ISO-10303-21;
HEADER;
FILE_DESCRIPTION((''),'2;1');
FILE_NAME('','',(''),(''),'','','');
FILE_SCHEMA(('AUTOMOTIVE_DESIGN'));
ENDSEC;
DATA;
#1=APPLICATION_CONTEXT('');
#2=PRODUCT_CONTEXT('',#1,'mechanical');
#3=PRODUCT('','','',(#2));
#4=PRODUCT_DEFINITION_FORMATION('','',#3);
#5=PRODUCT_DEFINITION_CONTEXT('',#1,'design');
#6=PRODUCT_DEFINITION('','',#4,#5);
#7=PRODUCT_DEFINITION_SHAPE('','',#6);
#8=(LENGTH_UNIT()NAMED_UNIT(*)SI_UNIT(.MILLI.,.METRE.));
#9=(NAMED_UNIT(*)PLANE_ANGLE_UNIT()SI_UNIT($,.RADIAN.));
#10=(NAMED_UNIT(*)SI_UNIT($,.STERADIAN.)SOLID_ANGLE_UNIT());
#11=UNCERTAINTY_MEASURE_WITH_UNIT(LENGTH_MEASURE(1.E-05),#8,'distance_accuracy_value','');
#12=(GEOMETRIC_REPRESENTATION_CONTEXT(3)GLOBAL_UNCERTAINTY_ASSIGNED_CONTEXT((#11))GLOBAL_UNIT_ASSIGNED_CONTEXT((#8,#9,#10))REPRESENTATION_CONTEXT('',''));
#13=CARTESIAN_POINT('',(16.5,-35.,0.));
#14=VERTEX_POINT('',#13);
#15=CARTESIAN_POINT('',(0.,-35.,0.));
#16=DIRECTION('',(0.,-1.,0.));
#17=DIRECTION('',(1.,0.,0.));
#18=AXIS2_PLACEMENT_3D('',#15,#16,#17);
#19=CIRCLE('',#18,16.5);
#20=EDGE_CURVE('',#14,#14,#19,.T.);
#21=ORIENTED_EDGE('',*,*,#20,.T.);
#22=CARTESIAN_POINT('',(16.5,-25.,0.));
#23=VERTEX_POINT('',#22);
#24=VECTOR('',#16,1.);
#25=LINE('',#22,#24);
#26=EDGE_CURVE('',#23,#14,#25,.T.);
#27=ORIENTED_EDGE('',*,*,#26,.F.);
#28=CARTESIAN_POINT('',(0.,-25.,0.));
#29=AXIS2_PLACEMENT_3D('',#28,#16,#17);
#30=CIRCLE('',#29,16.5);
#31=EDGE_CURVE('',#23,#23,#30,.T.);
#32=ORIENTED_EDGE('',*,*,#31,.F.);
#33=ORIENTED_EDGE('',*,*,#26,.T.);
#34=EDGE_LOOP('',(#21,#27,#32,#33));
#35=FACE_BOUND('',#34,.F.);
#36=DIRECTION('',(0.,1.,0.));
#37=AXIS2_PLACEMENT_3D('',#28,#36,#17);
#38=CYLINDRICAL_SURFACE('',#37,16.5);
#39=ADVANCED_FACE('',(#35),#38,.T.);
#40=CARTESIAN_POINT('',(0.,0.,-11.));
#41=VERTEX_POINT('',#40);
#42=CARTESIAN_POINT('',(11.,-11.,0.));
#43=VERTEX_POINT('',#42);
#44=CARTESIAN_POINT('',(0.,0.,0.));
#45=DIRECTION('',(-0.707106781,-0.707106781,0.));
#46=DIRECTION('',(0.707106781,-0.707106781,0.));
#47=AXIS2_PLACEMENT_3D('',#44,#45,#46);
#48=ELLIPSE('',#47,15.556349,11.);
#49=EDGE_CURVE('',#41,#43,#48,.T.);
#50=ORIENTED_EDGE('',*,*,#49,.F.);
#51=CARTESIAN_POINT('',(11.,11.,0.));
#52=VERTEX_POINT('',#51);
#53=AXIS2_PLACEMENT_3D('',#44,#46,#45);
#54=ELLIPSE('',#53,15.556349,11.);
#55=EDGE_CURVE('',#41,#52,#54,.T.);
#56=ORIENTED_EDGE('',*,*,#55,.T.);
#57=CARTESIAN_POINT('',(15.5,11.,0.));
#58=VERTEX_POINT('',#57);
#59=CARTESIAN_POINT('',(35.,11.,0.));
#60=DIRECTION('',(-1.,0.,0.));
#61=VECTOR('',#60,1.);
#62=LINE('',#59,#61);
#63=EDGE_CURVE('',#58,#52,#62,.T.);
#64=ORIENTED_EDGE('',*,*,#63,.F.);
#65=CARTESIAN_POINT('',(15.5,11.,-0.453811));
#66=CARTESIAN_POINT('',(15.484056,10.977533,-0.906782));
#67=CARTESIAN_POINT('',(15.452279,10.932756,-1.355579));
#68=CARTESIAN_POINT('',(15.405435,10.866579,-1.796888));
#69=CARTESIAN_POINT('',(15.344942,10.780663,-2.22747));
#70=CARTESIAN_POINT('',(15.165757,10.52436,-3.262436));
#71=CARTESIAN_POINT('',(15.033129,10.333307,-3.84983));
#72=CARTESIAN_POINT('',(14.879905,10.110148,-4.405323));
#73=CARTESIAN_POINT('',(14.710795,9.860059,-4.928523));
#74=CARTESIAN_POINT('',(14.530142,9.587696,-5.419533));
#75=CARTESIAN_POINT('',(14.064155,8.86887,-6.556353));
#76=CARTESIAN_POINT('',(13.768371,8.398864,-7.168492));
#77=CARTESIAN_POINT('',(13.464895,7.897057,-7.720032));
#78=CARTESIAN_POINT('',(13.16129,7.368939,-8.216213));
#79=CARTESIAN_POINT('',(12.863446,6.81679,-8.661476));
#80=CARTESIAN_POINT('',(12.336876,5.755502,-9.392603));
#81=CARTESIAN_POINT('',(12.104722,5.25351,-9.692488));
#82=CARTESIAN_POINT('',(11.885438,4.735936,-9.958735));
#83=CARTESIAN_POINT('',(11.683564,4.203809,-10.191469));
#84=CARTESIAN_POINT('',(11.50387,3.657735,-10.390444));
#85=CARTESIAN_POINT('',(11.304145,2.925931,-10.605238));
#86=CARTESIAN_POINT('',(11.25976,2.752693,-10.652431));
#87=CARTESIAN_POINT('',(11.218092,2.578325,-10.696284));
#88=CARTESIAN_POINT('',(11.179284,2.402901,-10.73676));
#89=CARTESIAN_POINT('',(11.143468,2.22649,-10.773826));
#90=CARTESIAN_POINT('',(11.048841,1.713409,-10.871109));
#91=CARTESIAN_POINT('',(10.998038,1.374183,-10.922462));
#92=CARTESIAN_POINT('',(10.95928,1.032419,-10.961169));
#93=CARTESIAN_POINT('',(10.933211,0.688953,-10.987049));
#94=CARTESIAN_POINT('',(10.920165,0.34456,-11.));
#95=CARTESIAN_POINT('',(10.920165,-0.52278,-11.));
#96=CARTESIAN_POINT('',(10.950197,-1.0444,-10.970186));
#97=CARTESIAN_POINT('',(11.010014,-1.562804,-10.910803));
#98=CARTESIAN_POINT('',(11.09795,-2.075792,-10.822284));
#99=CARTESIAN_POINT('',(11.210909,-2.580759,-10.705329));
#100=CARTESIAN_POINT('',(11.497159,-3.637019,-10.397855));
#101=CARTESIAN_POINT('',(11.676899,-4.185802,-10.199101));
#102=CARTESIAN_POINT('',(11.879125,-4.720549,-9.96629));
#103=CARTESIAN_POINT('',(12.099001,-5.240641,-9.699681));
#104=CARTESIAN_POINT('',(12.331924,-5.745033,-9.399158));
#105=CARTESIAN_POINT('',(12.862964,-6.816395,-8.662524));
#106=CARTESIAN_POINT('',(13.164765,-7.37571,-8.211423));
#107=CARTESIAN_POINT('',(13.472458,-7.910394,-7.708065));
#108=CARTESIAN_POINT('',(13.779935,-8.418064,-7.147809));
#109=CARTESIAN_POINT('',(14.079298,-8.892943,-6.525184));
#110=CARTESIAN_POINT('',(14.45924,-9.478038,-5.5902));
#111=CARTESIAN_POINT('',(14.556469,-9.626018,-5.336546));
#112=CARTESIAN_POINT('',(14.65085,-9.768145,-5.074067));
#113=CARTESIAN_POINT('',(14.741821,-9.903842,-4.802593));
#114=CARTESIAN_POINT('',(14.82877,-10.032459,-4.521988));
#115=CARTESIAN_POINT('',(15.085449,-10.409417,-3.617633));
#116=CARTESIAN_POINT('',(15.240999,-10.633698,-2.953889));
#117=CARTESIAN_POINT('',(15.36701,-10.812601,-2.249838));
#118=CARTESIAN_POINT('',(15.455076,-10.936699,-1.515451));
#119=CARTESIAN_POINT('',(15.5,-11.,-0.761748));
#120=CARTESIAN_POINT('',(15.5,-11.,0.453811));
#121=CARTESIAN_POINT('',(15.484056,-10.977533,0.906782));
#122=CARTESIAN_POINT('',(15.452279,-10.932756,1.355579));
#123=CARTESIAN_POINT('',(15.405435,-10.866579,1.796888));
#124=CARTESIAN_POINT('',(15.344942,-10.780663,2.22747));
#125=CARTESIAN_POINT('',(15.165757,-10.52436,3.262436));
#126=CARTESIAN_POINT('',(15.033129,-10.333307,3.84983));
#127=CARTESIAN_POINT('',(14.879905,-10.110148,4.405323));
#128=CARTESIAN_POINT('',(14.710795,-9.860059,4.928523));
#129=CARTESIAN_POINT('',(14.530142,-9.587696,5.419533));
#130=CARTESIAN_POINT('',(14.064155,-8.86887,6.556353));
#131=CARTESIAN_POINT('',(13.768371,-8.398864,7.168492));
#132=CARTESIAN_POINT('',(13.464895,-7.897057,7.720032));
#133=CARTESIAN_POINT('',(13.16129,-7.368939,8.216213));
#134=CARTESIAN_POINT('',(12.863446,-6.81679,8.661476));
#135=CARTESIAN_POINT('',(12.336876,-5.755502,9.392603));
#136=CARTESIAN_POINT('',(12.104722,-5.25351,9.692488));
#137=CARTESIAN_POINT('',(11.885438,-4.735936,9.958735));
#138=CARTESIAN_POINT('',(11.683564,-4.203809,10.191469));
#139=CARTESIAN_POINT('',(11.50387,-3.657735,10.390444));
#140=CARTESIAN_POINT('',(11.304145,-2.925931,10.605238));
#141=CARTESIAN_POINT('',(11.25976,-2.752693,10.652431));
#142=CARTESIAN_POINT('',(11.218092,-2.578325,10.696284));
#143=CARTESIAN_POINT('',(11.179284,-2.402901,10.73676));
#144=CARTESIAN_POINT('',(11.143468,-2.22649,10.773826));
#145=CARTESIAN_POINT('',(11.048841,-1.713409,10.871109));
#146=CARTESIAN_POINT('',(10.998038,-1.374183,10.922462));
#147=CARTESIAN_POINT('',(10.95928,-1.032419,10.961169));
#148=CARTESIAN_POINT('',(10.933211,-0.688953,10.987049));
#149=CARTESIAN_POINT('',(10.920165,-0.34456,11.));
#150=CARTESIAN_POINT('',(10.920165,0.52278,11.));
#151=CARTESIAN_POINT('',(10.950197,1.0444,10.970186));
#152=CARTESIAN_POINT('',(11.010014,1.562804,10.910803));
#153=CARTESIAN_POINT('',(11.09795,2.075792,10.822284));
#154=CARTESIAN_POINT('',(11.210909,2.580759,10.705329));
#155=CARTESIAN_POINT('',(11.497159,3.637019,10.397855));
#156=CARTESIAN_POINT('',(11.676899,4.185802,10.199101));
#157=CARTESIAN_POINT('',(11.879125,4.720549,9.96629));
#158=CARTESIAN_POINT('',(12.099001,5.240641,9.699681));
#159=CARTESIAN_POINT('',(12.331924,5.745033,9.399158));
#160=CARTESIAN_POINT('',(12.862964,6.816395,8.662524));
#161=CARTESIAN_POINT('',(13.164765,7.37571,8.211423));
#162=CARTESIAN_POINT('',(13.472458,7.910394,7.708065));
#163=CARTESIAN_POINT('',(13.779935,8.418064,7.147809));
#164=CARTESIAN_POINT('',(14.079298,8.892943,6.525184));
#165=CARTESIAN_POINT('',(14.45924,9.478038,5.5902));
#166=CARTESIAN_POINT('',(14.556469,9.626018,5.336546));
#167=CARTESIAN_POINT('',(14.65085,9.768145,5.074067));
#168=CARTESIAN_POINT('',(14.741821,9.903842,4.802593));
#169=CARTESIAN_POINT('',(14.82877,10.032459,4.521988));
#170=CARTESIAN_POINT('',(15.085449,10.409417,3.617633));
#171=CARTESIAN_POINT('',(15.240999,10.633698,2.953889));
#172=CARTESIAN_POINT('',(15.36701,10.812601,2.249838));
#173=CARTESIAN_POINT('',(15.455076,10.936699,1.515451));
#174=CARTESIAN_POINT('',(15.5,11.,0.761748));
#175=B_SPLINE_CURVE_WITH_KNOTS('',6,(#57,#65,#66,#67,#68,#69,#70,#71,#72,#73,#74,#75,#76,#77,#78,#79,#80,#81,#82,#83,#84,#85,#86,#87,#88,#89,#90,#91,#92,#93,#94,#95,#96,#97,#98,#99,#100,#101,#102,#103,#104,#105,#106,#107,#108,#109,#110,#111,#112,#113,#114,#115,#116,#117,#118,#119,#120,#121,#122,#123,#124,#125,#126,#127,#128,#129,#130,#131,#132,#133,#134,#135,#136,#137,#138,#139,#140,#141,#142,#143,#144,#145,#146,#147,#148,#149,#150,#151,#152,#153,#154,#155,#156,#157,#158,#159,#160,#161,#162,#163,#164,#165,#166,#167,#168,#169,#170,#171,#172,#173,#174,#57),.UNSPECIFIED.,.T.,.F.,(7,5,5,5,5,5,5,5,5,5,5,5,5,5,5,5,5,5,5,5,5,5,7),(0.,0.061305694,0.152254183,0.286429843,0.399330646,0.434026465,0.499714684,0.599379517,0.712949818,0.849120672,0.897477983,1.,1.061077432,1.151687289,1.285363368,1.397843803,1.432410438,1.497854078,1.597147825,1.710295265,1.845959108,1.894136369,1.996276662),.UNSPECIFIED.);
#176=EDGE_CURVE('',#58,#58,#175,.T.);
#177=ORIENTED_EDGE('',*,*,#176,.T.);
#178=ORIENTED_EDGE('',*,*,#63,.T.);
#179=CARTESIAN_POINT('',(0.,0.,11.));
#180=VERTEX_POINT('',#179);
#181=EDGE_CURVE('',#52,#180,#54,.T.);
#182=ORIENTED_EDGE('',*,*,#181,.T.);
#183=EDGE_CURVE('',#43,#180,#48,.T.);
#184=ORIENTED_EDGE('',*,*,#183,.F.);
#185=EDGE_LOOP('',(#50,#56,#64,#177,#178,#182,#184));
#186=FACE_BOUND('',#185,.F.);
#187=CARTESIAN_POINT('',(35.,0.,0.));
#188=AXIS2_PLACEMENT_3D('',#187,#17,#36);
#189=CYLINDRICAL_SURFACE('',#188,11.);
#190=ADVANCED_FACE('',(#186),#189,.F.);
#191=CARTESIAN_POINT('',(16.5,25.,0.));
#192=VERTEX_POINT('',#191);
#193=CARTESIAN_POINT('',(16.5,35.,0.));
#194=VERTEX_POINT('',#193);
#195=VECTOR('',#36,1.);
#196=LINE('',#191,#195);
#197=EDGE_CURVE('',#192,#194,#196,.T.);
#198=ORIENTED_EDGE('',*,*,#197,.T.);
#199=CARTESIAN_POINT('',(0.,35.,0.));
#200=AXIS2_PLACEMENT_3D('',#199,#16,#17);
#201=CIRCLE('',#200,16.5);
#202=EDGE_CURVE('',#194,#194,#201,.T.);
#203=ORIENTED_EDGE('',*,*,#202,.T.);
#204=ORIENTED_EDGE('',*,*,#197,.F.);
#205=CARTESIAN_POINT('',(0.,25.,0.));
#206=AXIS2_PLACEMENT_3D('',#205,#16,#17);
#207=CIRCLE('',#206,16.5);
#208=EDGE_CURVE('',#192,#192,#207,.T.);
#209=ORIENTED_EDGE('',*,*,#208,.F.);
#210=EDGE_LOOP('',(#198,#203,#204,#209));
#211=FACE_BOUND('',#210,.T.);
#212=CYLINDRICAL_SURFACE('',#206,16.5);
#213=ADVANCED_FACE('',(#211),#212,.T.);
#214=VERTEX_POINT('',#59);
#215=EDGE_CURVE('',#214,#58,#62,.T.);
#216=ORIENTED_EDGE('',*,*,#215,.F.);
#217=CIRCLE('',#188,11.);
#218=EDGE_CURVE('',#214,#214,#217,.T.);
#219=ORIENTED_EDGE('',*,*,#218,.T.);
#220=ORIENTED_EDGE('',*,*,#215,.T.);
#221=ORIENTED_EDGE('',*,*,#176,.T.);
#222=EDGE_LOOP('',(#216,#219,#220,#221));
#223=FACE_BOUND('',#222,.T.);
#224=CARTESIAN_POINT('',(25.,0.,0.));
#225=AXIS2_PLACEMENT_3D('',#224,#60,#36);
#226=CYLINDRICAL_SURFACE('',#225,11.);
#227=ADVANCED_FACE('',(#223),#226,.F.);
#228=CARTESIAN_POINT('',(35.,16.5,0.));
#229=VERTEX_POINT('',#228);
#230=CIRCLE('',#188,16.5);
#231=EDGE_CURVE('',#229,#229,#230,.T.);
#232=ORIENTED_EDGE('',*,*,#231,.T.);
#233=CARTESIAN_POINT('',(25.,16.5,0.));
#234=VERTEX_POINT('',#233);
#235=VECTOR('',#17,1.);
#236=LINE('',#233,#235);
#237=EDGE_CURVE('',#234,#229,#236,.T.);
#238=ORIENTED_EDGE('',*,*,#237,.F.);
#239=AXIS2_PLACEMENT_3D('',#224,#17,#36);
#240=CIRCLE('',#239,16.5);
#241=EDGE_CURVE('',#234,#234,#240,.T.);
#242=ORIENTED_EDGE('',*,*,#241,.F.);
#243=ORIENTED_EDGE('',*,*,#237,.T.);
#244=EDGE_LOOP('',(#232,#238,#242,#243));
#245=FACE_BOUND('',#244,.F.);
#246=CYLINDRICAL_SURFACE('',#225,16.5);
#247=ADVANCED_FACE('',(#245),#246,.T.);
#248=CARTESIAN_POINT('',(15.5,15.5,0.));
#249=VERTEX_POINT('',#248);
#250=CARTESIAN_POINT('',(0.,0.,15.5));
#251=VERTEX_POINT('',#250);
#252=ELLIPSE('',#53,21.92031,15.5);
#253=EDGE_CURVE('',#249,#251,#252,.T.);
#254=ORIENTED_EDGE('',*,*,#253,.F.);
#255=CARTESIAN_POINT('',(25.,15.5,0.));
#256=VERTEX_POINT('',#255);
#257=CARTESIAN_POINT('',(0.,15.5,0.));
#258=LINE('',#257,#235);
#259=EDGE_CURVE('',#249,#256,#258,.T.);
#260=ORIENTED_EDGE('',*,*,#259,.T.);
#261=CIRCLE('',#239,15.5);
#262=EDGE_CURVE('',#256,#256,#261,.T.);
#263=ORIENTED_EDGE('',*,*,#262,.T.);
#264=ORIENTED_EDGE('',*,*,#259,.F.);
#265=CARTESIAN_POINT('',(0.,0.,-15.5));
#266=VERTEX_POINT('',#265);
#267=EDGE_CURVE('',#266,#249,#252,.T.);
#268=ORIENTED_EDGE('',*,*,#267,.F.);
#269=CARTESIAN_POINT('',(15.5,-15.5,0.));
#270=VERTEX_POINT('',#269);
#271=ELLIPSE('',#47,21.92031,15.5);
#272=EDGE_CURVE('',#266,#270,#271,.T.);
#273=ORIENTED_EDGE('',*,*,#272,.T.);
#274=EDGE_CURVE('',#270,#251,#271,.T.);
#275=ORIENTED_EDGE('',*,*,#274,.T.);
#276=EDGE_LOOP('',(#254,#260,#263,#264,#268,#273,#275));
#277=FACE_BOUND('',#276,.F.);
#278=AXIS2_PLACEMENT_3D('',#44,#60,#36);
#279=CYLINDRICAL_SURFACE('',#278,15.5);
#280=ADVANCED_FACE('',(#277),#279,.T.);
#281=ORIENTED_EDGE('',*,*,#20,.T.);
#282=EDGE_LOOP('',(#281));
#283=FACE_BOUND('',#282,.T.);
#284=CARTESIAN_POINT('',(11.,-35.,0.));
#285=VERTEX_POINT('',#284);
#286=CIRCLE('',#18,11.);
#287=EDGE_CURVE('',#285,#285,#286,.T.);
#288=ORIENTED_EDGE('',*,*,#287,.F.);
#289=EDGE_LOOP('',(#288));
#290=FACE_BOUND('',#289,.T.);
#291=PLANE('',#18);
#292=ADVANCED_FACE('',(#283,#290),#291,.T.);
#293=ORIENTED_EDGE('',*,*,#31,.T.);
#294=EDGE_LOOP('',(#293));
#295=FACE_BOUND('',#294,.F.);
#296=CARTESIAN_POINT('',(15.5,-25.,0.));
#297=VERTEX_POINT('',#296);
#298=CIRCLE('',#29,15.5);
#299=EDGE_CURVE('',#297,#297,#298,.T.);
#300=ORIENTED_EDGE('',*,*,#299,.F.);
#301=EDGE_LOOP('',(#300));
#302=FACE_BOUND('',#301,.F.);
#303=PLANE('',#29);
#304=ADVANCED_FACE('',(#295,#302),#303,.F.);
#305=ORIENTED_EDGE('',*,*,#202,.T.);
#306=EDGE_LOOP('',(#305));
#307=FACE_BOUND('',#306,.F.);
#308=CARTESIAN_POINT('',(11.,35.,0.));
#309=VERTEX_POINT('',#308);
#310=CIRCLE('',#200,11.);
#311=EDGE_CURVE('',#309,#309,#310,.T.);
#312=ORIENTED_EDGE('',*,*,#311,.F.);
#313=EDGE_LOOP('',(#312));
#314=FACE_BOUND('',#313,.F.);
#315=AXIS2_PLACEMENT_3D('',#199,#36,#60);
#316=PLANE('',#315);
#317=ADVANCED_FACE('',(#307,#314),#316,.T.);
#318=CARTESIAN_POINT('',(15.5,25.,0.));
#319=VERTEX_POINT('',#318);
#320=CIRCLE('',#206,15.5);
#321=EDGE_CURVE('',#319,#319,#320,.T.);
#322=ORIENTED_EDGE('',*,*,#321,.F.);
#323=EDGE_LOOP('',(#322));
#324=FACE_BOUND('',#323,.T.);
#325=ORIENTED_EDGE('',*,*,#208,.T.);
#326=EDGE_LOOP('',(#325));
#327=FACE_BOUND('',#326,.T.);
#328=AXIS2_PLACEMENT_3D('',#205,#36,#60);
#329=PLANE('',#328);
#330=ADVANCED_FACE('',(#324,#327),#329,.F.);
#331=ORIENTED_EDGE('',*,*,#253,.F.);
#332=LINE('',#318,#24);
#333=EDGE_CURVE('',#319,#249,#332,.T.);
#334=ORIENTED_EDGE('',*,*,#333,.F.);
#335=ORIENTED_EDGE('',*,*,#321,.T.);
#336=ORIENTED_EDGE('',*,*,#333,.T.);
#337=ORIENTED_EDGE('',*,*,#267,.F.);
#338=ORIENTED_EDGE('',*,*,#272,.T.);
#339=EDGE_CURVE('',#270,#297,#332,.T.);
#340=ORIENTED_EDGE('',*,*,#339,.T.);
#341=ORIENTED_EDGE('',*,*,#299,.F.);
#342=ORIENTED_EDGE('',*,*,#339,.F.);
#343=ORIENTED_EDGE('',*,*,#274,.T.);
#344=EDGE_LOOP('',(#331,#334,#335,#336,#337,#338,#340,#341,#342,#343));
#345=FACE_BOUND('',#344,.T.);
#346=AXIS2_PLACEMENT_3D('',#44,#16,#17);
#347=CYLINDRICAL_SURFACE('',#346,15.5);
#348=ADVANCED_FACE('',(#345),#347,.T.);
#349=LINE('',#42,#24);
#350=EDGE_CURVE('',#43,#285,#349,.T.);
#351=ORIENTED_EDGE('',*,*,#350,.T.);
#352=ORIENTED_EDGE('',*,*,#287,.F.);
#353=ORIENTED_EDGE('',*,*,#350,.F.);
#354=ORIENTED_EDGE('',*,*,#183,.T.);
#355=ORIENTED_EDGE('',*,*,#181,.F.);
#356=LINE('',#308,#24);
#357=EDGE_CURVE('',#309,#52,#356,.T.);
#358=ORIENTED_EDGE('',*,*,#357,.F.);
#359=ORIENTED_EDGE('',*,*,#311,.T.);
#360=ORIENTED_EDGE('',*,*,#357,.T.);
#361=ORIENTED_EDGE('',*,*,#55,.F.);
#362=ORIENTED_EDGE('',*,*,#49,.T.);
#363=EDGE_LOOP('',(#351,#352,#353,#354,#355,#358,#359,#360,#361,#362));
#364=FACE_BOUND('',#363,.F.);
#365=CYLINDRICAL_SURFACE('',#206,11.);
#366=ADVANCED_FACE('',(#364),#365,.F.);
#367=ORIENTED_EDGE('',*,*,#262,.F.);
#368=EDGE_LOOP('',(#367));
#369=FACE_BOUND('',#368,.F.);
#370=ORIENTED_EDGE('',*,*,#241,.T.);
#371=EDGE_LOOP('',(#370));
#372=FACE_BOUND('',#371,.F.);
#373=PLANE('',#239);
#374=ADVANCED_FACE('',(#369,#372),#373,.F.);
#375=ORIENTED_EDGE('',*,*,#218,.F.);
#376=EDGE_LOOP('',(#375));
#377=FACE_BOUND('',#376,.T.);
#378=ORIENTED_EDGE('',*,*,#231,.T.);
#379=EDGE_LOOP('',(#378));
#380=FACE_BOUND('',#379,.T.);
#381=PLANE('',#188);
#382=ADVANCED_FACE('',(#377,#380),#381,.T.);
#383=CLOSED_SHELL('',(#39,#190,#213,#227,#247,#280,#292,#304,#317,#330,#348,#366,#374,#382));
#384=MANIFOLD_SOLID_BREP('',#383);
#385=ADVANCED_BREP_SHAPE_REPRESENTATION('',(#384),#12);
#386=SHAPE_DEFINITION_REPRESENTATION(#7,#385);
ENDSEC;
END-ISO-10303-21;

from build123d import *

# Parameters (mm, degrees)
F0_R      = 15.5
F0_R_2    = 11
F1_DEPTH  = 25
F2_R      = 16.5
F2_R_2    = 11
F3_DEPTH  = 10
F5_R      = 15.5
F5_R_2    = 11
F6_DEPTH  = 25
F7_R      = 16.5
F7_R_2    = 11
F8_DEPTH  = 10
F9_R      = 11
F10_DEPTH = 200
F11_R     = 11
F12_DEPTH = 35


with BuildPart() as f1:
    # F0 (on Front) → F1 (new body)
    with BuildSketch(Plane.XZ):
        Circle(F0_R)
        Circle(F0_R_2, mode=Mode.SUBTRACT)
    extrude(amount=F1_DEPTH)

    # F2 (on face) → F3 (join)
    with BuildSketch(Plane.XZ.offset(25)):
        Circle(F2_R)
        Circle(F2_R_2, mode=Mode.SUBTRACT)
    extrude(amount=F3_DEPTH)

    # F4: F1 across plane


with BuildPart() as f1_1:
    add(f1.part)
    add(f1.part.mirror(Plane.XZ))

    # F5 (on Right) → F6 (join)
    with BuildSketch(Plane.YZ):
        Circle(F5_R)
        Circle(F5_R_2, mode=Mode.SUBTRACT)
    extrude(amount=F6_DEPTH)

    # F7 (on face) → F8 (join)
    with BuildSketch(Plane.YZ.offset(25)):
        Circle(F7_R)
        Circle(F7_R_2, mode=Mode.SUBTRACT)
    extrude(amount=F8_DEPTH)

    # F9 (on face) → F10 (cut)
    with BuildSketch(Plane.XZ.offset(35)):
        Circle(F9_R)
    extrude(amount=-F10_DEPTH, mode=Mode.SUBTRACT)

    # F11 (on face) → F12 (cut)
    with BuildSketch(Plane.YZ.offset(35)):
        Circle(F11_R)
    extrude(amount=-F12_DEPTH, mode=Mode.SUBTRACT)


solid = f1_1.part
